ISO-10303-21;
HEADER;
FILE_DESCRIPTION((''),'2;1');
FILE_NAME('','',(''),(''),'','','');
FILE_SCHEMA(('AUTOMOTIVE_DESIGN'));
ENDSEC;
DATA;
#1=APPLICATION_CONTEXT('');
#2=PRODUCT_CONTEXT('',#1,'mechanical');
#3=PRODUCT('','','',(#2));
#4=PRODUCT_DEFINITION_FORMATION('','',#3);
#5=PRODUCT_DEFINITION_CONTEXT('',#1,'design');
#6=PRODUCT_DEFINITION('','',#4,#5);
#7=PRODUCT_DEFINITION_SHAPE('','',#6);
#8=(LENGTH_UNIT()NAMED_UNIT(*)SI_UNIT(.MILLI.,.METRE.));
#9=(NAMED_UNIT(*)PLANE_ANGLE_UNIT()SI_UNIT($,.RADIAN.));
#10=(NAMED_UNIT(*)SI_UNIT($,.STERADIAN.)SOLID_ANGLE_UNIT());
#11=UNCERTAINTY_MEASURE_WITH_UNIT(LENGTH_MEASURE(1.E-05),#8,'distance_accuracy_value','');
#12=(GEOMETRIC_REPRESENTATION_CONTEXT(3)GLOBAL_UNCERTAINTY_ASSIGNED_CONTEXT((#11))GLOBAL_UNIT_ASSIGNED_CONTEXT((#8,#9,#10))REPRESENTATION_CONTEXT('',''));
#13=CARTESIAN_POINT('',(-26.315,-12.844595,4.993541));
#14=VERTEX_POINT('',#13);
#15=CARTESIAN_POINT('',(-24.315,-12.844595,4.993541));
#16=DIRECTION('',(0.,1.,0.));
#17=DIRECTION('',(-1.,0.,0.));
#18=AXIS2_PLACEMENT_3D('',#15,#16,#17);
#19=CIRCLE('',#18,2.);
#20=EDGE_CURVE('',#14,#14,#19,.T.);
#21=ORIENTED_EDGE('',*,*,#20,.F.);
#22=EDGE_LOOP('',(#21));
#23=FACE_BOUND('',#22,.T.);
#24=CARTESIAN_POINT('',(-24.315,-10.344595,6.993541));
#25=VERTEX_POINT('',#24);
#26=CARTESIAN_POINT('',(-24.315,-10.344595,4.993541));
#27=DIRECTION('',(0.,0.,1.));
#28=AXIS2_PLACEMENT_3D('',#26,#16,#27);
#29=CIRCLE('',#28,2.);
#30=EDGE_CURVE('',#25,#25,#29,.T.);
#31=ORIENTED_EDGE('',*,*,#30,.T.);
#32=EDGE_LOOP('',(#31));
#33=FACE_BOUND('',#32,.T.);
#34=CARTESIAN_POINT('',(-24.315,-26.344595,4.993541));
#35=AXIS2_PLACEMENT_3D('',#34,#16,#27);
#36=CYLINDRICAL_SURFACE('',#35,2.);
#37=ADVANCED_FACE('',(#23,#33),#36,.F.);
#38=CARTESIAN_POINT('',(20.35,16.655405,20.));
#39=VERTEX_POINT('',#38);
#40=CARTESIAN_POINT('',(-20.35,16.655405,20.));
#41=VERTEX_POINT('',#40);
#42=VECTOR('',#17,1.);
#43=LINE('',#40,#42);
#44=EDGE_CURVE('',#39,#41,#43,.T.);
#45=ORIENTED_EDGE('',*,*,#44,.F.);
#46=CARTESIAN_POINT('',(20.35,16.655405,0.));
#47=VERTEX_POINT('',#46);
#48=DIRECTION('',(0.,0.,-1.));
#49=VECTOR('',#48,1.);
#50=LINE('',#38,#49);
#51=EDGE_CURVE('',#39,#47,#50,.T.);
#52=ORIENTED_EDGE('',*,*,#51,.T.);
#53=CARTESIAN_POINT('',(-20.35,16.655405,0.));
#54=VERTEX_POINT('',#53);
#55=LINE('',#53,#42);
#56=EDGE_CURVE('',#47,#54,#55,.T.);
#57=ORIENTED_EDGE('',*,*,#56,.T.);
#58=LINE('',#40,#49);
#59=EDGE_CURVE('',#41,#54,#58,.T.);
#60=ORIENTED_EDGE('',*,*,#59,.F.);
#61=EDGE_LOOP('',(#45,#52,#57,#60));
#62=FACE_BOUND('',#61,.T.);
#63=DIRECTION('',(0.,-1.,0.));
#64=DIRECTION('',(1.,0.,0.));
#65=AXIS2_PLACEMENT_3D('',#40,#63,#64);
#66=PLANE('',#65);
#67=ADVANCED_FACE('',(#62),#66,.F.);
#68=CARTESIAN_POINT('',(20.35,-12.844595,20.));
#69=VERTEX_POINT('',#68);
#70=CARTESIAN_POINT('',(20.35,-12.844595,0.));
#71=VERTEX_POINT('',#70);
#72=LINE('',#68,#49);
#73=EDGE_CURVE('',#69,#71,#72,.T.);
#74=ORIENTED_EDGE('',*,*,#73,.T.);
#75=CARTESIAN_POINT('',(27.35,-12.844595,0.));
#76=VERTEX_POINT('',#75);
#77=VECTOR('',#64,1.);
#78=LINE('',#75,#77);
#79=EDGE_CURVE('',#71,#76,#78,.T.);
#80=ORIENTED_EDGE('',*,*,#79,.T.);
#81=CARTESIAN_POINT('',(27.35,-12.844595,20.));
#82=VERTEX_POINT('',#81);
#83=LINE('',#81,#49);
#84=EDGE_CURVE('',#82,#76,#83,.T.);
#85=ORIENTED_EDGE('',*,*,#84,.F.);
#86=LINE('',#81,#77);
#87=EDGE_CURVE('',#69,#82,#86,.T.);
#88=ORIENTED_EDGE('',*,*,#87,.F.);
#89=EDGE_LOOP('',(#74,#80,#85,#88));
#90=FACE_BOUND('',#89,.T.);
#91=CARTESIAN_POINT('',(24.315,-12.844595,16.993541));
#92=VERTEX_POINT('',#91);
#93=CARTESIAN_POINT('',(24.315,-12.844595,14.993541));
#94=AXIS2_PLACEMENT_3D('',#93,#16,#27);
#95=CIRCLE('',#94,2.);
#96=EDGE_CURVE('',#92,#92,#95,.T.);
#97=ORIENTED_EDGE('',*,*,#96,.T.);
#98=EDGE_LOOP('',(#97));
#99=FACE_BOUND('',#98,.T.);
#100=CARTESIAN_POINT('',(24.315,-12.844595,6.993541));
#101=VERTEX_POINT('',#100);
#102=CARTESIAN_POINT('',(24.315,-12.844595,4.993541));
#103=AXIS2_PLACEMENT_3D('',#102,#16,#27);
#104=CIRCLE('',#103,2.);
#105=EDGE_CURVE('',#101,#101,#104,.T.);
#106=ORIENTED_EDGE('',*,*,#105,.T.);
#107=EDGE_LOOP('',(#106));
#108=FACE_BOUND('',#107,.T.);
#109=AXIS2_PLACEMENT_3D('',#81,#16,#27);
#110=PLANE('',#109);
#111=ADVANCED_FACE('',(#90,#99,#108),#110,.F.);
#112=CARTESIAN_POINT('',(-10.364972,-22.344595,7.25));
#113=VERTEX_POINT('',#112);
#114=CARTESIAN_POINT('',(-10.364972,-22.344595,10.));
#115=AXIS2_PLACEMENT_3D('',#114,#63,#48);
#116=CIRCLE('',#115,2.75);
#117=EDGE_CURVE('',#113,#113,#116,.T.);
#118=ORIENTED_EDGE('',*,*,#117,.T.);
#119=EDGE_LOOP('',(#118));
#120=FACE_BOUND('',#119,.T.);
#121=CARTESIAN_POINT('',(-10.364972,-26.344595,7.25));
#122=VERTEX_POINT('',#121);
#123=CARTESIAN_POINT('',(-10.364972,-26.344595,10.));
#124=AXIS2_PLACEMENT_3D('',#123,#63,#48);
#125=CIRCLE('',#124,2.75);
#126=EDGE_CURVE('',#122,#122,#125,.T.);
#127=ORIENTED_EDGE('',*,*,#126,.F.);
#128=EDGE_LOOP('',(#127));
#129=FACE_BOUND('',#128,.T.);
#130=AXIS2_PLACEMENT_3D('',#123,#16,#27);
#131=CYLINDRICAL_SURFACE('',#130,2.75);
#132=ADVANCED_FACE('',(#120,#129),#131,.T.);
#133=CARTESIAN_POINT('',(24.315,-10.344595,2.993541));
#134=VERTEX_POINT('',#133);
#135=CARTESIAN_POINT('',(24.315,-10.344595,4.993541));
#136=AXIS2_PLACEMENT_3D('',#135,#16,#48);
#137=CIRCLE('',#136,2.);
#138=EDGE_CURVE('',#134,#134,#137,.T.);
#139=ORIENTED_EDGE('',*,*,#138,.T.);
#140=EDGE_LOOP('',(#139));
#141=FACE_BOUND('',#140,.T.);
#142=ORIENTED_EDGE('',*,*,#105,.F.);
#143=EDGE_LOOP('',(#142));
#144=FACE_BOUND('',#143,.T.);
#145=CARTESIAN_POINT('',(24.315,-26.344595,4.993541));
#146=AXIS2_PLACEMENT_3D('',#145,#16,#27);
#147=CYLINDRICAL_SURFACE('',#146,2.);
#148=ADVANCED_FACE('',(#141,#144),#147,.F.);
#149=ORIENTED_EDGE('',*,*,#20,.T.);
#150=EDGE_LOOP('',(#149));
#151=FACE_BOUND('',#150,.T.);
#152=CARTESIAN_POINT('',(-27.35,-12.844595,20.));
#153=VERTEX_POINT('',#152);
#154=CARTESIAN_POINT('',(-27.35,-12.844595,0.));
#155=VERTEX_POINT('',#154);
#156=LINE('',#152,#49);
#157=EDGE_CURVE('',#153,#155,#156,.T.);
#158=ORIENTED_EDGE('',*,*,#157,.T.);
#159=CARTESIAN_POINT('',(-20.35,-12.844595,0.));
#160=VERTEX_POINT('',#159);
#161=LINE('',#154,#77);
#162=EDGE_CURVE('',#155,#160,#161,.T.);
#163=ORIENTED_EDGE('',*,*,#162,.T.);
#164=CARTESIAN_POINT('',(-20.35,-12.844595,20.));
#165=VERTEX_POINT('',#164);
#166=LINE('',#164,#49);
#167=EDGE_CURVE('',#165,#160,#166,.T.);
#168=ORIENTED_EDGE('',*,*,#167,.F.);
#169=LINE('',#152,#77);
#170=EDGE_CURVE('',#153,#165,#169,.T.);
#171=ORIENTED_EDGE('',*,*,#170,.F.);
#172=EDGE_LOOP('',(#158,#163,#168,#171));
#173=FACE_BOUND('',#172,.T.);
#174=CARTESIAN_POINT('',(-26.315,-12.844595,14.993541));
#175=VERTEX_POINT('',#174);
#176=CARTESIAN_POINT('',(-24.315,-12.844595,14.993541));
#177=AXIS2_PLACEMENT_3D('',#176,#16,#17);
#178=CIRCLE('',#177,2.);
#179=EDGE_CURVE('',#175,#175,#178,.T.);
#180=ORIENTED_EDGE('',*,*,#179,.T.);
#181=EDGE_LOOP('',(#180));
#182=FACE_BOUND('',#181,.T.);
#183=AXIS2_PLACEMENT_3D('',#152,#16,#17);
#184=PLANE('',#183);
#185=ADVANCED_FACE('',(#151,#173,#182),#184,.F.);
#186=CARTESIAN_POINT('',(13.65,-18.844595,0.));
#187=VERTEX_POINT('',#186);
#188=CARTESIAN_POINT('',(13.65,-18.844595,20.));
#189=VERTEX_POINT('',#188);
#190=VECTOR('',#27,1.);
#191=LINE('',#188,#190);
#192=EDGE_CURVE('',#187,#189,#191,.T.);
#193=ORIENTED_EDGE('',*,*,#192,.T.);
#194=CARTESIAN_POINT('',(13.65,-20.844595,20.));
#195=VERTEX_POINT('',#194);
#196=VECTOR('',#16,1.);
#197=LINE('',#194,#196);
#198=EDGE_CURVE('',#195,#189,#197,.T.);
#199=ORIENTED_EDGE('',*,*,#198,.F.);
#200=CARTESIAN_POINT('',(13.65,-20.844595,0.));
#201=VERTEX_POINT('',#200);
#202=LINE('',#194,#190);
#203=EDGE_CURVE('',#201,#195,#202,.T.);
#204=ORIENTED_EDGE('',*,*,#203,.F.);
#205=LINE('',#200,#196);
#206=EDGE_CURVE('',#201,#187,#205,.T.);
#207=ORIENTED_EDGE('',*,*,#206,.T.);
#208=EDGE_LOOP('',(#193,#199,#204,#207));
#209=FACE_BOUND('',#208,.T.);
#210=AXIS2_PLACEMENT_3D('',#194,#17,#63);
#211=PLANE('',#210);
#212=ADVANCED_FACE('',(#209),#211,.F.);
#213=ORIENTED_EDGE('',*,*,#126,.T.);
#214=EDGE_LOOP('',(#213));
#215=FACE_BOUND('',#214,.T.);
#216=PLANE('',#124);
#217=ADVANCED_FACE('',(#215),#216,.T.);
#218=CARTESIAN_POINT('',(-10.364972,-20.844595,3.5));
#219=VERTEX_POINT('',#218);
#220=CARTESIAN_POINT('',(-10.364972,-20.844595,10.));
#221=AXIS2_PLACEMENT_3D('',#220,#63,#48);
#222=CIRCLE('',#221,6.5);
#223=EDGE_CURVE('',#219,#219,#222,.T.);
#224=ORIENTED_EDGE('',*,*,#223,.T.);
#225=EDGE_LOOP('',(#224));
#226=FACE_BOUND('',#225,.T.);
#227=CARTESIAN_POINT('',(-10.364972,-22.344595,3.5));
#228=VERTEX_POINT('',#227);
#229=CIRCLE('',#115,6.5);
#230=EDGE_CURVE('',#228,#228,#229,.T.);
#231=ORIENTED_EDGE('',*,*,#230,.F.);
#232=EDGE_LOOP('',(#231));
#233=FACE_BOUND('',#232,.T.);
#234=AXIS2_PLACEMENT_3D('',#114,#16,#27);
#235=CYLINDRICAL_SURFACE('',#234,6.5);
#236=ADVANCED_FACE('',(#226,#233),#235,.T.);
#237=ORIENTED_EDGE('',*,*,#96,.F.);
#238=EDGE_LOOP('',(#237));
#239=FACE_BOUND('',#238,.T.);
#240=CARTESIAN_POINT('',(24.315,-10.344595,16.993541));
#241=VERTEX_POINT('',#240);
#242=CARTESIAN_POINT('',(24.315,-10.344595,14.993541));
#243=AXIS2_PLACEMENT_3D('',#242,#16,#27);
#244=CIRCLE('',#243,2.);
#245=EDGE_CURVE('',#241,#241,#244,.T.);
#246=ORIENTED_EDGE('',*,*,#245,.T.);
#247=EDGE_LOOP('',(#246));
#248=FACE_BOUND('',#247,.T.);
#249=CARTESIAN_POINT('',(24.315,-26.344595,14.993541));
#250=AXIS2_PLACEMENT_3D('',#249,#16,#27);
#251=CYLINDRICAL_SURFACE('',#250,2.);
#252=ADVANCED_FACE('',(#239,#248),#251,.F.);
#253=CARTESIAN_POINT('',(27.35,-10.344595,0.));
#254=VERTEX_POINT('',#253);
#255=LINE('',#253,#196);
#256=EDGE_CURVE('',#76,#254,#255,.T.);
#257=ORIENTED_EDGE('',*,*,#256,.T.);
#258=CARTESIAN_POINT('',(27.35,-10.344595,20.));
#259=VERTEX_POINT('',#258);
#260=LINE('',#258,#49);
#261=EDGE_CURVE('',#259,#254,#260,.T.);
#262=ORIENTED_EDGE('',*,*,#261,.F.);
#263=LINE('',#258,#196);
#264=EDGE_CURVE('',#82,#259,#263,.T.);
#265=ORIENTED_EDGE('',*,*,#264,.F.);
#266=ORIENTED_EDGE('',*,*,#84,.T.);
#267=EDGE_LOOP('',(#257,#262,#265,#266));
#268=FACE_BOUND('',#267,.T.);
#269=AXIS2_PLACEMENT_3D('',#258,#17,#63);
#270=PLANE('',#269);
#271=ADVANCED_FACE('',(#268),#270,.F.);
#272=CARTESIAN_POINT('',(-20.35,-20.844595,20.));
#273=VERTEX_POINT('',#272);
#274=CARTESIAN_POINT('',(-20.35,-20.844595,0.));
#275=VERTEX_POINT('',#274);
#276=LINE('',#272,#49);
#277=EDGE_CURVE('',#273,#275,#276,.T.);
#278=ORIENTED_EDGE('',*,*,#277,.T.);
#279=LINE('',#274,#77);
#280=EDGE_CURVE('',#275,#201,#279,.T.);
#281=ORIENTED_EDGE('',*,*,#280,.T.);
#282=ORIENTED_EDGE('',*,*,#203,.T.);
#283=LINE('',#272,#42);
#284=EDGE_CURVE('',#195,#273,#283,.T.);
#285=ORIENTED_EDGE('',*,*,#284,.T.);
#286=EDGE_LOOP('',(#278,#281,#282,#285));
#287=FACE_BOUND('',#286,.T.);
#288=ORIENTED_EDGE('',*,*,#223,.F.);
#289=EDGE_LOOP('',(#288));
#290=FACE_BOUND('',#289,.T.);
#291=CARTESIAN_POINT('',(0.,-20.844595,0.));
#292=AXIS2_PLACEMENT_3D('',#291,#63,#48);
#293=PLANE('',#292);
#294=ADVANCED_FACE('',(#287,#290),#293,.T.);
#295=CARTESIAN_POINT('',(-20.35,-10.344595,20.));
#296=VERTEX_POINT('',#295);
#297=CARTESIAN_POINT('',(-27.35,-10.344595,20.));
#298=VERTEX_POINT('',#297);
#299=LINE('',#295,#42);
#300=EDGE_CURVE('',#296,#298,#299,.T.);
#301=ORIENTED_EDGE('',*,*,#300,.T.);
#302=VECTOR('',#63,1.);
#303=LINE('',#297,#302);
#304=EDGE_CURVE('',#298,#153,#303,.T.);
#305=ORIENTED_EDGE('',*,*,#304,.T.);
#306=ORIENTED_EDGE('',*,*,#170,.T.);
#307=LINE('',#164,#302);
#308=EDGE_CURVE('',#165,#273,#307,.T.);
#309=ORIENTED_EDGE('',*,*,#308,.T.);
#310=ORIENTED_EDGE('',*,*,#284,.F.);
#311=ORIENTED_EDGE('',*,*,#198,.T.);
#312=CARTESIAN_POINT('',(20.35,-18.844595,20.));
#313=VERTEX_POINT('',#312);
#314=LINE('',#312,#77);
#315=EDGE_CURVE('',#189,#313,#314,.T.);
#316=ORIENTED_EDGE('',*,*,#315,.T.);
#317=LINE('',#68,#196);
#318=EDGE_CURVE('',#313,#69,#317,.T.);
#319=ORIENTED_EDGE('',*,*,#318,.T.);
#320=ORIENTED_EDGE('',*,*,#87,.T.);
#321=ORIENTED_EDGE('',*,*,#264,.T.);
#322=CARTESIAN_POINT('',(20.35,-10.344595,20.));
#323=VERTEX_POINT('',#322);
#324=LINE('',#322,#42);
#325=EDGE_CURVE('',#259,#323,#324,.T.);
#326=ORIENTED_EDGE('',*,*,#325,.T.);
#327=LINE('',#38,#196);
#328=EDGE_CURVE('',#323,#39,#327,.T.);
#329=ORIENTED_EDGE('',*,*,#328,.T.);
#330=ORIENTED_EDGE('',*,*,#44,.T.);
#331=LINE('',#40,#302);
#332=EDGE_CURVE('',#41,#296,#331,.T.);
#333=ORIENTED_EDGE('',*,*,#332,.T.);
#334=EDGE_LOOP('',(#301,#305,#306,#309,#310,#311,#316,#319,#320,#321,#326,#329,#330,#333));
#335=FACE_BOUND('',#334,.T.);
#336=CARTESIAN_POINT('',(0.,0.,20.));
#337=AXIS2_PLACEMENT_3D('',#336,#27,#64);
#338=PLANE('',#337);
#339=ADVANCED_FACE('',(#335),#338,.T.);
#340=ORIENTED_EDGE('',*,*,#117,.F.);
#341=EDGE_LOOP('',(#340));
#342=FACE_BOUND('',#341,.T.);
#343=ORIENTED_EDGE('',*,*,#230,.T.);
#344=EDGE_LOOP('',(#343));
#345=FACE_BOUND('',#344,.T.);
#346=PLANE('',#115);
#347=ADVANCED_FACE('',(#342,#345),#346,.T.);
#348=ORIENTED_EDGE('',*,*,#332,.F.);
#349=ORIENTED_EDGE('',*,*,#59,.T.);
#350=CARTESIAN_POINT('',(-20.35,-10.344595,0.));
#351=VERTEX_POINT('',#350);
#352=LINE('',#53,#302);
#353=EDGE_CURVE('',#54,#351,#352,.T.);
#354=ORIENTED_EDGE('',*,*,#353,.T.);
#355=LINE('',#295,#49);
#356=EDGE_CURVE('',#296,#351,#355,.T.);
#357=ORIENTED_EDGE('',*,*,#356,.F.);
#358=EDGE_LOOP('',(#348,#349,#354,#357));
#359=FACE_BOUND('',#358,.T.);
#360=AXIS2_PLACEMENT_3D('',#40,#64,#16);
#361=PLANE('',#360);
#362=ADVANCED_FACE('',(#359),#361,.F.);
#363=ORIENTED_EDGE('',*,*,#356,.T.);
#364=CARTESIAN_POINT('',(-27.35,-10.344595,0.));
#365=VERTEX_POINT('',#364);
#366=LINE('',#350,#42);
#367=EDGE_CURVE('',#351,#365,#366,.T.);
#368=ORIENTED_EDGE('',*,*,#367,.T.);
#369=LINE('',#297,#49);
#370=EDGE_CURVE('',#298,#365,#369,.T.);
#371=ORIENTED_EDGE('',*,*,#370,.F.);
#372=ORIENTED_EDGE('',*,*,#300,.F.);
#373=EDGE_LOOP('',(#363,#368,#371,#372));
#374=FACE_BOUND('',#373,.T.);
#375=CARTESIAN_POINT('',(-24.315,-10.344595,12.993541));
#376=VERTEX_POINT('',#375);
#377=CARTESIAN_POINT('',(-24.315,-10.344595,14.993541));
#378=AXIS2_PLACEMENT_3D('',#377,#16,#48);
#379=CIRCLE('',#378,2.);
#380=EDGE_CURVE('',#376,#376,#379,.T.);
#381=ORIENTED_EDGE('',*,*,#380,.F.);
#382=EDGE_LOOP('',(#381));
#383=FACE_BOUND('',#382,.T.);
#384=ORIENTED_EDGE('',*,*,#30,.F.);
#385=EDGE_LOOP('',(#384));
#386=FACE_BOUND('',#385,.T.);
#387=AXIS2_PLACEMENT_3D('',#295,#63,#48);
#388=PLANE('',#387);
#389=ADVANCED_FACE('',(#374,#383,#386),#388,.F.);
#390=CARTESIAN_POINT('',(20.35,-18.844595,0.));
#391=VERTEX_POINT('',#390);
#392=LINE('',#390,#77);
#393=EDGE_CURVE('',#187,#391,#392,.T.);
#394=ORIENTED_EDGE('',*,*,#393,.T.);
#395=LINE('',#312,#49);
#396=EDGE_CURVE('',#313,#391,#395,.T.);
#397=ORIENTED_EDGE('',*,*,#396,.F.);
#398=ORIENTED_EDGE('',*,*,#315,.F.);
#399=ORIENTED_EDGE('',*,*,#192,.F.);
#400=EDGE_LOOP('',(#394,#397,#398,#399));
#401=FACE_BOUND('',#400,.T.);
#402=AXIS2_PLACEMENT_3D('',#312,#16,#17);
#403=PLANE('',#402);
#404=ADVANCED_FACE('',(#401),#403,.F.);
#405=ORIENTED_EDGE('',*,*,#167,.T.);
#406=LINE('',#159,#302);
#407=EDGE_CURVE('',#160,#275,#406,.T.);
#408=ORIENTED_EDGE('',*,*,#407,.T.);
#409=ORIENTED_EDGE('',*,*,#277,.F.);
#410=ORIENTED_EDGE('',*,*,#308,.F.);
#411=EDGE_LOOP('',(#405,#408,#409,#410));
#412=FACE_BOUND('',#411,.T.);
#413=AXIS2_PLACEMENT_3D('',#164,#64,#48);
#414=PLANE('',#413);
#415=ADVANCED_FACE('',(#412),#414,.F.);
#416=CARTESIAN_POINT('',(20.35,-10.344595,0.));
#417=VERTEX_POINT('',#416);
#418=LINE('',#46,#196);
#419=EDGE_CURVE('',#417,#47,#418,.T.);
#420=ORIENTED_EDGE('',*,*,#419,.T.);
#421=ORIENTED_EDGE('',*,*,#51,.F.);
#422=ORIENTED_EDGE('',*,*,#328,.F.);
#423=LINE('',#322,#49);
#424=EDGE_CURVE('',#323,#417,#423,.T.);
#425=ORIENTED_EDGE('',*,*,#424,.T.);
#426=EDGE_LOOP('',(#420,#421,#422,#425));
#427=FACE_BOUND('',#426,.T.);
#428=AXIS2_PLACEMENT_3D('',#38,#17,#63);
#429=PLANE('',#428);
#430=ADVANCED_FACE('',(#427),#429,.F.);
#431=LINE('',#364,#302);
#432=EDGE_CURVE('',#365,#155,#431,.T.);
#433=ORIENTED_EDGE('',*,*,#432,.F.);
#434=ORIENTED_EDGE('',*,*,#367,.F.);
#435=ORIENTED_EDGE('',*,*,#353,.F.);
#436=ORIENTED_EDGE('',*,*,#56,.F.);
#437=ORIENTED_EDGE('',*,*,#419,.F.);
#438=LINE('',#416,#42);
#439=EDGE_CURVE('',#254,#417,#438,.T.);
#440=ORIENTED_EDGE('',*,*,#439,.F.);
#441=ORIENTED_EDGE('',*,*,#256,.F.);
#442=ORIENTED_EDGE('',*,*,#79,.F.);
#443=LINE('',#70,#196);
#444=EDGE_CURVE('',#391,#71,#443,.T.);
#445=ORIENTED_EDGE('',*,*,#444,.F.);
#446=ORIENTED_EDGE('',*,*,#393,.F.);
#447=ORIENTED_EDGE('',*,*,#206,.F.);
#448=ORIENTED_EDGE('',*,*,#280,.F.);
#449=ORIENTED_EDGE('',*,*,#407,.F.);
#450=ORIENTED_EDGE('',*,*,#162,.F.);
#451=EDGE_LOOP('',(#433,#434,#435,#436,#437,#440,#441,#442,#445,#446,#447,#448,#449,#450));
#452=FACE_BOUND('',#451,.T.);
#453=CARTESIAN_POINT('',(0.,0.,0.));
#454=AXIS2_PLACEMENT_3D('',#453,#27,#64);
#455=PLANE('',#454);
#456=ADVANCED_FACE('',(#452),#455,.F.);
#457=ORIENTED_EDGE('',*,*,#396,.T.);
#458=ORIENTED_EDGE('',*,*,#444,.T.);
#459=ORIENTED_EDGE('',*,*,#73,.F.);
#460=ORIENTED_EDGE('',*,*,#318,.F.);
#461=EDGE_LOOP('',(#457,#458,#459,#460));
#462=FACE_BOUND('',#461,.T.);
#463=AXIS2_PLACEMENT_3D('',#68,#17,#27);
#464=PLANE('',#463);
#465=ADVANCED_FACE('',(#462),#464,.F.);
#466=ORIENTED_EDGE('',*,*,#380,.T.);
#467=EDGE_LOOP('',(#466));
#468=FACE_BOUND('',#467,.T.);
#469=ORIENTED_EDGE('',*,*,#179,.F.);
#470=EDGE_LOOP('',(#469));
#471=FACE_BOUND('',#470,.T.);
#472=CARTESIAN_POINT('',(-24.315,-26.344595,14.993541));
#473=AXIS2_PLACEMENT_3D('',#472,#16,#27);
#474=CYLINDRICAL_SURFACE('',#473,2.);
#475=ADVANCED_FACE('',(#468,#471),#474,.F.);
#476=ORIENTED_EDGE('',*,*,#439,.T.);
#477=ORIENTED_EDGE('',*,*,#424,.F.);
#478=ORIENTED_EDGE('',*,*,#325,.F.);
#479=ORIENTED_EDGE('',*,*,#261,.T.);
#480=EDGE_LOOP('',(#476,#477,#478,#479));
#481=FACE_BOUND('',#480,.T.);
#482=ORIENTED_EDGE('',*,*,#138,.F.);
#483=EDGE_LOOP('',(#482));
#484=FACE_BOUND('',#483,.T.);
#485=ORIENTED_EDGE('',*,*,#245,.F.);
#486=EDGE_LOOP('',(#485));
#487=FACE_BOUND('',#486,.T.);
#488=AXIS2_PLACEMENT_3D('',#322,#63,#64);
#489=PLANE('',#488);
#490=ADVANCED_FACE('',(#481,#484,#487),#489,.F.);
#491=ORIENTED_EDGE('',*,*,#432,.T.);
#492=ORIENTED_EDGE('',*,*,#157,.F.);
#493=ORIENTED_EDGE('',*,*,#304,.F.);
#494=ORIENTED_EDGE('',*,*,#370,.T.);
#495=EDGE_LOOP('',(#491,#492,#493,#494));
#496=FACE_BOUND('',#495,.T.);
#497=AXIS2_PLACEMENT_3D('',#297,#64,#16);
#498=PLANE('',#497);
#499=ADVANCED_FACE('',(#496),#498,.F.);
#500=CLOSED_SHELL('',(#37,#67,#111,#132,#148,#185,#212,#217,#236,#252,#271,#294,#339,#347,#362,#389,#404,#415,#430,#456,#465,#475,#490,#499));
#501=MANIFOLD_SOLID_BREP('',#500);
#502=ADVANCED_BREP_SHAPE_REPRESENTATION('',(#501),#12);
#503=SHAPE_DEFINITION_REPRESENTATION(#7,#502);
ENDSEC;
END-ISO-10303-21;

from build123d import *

# Parameters (mm, degrees)
EXTRUDE_1_DEPTH     = 20
SKETCH_4_W          = 34
SKETCH_4_H          = 20
EXTRUDE_2_DEPTH     = 2
SKETCH_5_R          = 6.5
EXTRUDE_3_DEPTH     = 1.5
SKETCH_6_R          = 2.75
EXTRUDE_4_DEPTH     = 4
SKETCH_7_R          = 2
CUT_EXTRUDE_1_DEPTH = 44.324617713


with BuildPart() as part:
    # 草图3 → 凸台-拉伸1 (new body)
    with BuildSketch(Plane.XY):
        Polygon((-20.35, 16.655405405), (20.35, 16.655405405), (20.35, -10.344594595), (27.35, -10.344594595), (27.35, -12.844594595), (20.35, -12.844594595), (20.35, -18.844594595), (-20.35, -18.844594595), (-20.35, -12.844594595), (-27.35, -12.844594595), (-27.35, -10.344594595), (-20.35, -10.344594595), align=None)
    extrude(amount=EXTRUDE_1_DEPTH)

    # 草图4 → 凸台-拉伸2 (add)
    with BuildSketch(Plane.XZ.offset(18.844594595)):
        with Locations((-3.35, 10)):
            Rectangle(SKETCH_4_W, SKETCH_4_H)
    extrude(amount=EXTRUDE_2_DEPTH)

    # 草图5 → 凸台-拉伸3 (add)
    with BuildSketch(Plane.XZ.offset(20.844594595)):
        with Locations(Location((-10.364971528, 10, 0), (0, 0, 270))):
            Circle(SKETCH_5_R)
    extrude(amount=EXTRUDE_3_DEPTH)

    # 草图6 → 凸台-拉伸4 (add)
    with BuildSketch(Plane.XZ.offset(22.344594595)):
        with Locations(Location((-10.364971528, 10, 0), (0, 0, 270))):
            Circle(SKETCH_6_R)
    extrude(amount=EXTRUDE_4_DEPTH)

    # 草图7 → 切除-拉伸1 (cut, through all)
    with BuildSketch(Plane(origin=(0, -10.344594595, 0), x_dir=(1, 0, 0), z_dir=(0, 1, 0))):
        with Locations(Location((-24.315, -4.993540971, 0), (0, 0, 270))):
            Circle(SKETCH_7_R)
        with Locations(Location((24.315, -4.993540971, 0), (0, 0, 270))):
            Circle(SKETCH_7_R)
        with Locations(Location((24.315, -14.993540971, 0), (0, 0, 270))):
            Circle(SKETCH_7_R)
        with Locations(Location((-24.315, -14.993540971, 0), (0, 0, 180))):
            Circle(SKETCH_7_R)
    extrude(amount=-CUT_EXTRUDE_1_DEPTH, mode=Mode.SUBTRACT)


solid = part.part
